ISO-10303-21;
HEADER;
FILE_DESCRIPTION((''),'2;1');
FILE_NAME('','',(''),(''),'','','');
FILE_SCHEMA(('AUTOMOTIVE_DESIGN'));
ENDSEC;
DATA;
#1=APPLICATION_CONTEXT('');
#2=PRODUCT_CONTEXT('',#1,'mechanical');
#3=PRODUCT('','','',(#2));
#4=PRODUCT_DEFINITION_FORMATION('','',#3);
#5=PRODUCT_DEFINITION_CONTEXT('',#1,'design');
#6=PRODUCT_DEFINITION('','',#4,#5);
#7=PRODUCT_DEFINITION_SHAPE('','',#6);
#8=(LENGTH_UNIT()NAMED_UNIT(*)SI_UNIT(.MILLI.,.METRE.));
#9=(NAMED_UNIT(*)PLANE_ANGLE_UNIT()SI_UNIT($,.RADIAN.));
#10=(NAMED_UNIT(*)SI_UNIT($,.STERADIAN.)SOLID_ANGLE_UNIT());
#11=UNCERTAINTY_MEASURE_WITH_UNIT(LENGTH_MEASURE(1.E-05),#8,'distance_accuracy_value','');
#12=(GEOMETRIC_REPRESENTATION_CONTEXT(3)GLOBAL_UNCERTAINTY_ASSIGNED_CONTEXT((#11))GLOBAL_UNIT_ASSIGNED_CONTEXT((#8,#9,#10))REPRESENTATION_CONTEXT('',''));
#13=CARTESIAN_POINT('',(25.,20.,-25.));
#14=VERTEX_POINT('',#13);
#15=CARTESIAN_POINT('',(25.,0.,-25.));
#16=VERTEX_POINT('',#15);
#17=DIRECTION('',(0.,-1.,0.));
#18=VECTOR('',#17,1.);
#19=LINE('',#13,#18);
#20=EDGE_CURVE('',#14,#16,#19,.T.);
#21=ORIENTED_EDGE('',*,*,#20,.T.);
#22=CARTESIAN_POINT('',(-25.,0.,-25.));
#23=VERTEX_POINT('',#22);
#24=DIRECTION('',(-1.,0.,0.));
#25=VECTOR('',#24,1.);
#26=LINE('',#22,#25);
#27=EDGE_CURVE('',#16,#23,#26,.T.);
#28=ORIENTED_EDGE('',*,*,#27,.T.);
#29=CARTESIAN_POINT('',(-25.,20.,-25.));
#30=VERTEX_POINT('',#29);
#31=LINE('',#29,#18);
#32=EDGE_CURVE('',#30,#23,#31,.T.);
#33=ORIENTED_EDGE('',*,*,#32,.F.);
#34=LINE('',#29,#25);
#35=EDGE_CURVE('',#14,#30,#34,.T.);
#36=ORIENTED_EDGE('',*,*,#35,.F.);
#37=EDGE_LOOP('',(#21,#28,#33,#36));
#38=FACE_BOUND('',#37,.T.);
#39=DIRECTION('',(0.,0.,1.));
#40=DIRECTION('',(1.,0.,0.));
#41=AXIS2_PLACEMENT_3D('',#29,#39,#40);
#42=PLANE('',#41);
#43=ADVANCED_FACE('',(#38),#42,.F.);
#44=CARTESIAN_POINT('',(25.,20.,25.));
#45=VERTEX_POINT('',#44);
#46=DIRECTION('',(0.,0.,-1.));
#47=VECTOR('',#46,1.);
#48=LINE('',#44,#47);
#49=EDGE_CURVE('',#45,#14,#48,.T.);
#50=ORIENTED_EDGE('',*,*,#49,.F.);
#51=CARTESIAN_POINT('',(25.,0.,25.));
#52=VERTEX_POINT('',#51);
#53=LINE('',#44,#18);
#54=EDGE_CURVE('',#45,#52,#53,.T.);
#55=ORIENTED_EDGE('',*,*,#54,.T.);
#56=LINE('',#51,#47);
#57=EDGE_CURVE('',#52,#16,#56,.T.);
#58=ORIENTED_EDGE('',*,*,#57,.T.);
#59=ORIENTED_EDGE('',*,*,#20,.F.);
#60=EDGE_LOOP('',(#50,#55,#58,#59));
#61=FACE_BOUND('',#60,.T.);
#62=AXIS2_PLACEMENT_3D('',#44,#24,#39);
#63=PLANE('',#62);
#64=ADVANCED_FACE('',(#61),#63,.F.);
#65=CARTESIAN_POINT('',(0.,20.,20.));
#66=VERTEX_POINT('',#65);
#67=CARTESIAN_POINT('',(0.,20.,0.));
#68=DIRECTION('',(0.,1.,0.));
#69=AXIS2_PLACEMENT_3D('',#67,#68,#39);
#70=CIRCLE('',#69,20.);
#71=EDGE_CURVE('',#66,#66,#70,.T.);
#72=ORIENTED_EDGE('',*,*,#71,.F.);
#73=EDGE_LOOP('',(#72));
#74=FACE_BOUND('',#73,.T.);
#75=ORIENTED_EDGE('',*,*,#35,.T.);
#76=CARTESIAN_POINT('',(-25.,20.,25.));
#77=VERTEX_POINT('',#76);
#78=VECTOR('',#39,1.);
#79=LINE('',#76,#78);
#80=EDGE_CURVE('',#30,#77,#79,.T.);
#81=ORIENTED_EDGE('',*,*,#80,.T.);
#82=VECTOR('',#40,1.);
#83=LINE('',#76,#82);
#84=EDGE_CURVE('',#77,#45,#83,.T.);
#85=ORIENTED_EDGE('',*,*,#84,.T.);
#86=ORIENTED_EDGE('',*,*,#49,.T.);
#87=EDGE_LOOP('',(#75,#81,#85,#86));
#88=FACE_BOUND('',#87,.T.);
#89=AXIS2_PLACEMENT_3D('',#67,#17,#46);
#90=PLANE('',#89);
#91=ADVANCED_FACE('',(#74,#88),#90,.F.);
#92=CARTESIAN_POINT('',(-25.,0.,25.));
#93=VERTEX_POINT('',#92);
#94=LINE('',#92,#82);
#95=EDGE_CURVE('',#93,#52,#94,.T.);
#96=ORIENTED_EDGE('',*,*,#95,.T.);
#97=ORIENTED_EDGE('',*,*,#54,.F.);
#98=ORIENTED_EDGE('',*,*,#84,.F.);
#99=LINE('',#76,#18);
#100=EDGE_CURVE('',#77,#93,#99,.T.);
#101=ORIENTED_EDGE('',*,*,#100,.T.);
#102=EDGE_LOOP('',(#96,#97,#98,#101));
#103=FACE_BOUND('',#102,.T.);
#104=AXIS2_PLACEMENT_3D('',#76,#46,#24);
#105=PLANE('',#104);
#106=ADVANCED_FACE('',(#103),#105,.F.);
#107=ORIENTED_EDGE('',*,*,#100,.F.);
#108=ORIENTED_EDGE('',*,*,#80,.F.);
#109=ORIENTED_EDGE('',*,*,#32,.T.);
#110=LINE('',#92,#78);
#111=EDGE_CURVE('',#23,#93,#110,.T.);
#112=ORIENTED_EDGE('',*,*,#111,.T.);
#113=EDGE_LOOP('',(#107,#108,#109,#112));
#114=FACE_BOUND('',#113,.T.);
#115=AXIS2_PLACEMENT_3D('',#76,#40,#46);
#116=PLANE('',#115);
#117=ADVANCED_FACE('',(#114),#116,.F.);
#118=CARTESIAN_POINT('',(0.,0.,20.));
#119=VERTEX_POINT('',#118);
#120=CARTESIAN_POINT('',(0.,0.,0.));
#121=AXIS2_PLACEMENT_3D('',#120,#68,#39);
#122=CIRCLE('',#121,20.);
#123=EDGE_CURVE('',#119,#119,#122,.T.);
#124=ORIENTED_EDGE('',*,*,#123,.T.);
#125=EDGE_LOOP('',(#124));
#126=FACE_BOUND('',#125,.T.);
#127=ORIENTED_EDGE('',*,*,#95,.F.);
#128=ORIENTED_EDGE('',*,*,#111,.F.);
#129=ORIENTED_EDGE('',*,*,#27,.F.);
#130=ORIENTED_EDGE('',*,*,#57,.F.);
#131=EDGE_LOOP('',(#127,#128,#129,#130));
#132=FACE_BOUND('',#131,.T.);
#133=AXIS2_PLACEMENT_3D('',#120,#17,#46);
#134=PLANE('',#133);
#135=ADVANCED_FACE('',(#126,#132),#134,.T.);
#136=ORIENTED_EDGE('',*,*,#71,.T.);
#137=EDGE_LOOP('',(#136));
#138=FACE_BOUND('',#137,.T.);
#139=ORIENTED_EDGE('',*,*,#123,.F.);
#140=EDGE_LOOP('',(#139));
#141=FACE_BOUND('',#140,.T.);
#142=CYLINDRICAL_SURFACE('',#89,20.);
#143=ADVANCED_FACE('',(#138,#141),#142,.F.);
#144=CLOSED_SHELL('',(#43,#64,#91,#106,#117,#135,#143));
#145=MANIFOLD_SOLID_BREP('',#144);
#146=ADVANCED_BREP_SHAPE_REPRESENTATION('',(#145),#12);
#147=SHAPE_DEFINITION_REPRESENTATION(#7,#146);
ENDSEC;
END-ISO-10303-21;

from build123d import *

# Parameters (mm, degrees)
SKETCH1_W           = 50
SKETCH1_H           = 50
SKETCH1_R           = 20
BOSS_EXTRUDE1_DEPTH = 20


with BuildPart() as part:
    # Sketch1 → Boss-Extrude1 (new body)
    with BuildSketch(Plane(origin=(0, 0, 0), x_dir=(1, 0, 0), z_dir=(0, 1, 0))):
        Rectangle(SKETCH1_W, SKETCH1_H)
        with Locations(Location((0, 0, 0), (0, 0, 270))):
            Circle(SKETCH1_R, mode=Mode.SUBTRACT)
    extrude(amount=BOSS_EXTRUDE1_DEPTH)


solid = part.part
